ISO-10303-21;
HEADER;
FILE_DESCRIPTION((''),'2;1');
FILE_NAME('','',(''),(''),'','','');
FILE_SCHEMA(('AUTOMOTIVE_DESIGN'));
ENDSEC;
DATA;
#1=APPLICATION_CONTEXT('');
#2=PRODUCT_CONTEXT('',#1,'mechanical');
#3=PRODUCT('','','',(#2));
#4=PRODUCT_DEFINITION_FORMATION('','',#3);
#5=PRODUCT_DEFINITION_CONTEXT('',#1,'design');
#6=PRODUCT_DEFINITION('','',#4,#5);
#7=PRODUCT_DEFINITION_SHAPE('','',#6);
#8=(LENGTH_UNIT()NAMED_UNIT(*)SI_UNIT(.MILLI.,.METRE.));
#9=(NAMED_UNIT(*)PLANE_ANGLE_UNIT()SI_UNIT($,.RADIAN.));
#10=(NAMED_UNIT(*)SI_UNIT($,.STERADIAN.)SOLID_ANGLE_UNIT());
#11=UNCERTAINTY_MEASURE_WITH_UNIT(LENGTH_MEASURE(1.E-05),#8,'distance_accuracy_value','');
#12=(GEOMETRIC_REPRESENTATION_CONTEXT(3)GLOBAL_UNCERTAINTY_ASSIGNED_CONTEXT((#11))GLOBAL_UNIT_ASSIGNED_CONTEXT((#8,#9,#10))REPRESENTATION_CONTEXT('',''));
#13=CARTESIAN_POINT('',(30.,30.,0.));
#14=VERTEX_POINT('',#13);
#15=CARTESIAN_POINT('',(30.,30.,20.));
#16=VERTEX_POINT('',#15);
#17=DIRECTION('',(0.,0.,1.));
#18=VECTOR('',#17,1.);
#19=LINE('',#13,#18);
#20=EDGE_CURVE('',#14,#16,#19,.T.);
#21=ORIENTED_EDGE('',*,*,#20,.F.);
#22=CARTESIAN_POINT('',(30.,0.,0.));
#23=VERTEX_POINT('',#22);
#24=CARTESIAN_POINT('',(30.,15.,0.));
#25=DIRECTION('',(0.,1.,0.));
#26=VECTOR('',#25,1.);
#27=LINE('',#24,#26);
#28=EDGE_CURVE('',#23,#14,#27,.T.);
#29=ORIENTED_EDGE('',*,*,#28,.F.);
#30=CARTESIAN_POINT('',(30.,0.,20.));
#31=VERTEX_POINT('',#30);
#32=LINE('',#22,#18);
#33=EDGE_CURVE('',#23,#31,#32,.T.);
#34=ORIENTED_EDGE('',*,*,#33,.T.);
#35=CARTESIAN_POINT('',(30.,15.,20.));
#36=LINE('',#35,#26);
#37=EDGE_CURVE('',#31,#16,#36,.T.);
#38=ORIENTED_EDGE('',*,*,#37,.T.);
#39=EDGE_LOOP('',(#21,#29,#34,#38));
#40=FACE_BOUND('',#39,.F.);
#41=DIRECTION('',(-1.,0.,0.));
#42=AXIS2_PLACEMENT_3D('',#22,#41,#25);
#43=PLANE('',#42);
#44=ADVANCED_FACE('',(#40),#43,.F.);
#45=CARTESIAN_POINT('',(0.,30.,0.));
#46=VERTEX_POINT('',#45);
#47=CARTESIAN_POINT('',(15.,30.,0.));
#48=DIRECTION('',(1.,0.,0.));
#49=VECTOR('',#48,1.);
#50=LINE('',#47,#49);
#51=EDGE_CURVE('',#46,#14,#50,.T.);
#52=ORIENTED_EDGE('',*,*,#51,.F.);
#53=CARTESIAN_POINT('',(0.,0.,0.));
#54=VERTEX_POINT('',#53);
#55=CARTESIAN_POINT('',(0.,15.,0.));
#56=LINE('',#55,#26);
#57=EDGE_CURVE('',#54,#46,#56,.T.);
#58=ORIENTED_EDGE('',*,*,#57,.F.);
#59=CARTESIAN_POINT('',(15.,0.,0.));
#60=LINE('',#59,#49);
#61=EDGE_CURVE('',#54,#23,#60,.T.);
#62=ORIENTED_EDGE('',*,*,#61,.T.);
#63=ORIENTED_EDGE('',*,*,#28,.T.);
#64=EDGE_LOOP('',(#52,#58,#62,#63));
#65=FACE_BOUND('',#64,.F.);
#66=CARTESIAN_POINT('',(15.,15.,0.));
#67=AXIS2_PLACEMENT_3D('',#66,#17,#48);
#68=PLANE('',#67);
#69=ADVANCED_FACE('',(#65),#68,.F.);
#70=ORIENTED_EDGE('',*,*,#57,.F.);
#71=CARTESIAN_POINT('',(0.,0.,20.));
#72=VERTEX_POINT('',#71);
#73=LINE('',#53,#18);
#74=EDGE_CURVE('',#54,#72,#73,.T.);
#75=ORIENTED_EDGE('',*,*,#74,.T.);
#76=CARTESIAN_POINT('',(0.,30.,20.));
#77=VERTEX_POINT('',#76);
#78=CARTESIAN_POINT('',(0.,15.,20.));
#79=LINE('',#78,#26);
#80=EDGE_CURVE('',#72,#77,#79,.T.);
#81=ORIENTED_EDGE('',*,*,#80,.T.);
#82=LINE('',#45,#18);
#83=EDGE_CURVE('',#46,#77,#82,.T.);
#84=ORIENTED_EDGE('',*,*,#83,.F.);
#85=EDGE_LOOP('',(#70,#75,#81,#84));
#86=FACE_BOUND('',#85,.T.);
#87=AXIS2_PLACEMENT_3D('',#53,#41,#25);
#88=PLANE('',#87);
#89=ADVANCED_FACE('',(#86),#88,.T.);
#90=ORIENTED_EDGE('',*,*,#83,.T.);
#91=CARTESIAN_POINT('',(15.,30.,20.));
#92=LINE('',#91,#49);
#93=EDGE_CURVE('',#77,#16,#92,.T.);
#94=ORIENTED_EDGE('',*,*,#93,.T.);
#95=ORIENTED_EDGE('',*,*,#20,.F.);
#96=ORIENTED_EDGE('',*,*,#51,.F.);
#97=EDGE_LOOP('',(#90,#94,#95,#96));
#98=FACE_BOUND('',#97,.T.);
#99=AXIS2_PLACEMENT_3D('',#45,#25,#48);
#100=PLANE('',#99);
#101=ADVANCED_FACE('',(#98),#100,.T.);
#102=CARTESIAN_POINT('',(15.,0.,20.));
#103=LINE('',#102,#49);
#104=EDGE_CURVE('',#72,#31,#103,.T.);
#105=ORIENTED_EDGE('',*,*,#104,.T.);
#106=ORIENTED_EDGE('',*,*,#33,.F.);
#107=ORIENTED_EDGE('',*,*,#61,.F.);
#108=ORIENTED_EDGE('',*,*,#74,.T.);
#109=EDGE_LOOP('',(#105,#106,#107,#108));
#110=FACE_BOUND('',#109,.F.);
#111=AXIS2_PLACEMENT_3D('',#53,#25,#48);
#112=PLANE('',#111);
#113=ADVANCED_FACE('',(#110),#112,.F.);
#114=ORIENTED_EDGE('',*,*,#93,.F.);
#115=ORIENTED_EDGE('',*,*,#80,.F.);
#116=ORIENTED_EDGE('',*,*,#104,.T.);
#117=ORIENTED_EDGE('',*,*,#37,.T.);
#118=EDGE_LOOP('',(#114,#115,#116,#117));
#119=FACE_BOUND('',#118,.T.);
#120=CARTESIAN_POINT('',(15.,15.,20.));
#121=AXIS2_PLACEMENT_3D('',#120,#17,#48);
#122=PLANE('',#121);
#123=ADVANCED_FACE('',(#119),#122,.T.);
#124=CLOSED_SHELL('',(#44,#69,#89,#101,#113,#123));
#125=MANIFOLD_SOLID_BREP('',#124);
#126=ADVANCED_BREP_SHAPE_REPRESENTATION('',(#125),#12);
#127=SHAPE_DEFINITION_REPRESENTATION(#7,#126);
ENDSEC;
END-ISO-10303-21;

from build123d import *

# Parameters (mm, degrees)
SKETCH1_W           = 30
SKETCH1_H           = 30
BOSS_EXTRUDE1_DEPTH = 20


with BuildPart() as part:
    # Sketch1 → Boss-Extrude1 (new body)
    with BuildSketch(Plane.XY):
        with Locations((15, 15)):
            Rectangle(SKETCH1_W, SKETCH1_H)
    extrude(amount=BOSS_EXTRUDE1_DEPTH)


solid = part.part
